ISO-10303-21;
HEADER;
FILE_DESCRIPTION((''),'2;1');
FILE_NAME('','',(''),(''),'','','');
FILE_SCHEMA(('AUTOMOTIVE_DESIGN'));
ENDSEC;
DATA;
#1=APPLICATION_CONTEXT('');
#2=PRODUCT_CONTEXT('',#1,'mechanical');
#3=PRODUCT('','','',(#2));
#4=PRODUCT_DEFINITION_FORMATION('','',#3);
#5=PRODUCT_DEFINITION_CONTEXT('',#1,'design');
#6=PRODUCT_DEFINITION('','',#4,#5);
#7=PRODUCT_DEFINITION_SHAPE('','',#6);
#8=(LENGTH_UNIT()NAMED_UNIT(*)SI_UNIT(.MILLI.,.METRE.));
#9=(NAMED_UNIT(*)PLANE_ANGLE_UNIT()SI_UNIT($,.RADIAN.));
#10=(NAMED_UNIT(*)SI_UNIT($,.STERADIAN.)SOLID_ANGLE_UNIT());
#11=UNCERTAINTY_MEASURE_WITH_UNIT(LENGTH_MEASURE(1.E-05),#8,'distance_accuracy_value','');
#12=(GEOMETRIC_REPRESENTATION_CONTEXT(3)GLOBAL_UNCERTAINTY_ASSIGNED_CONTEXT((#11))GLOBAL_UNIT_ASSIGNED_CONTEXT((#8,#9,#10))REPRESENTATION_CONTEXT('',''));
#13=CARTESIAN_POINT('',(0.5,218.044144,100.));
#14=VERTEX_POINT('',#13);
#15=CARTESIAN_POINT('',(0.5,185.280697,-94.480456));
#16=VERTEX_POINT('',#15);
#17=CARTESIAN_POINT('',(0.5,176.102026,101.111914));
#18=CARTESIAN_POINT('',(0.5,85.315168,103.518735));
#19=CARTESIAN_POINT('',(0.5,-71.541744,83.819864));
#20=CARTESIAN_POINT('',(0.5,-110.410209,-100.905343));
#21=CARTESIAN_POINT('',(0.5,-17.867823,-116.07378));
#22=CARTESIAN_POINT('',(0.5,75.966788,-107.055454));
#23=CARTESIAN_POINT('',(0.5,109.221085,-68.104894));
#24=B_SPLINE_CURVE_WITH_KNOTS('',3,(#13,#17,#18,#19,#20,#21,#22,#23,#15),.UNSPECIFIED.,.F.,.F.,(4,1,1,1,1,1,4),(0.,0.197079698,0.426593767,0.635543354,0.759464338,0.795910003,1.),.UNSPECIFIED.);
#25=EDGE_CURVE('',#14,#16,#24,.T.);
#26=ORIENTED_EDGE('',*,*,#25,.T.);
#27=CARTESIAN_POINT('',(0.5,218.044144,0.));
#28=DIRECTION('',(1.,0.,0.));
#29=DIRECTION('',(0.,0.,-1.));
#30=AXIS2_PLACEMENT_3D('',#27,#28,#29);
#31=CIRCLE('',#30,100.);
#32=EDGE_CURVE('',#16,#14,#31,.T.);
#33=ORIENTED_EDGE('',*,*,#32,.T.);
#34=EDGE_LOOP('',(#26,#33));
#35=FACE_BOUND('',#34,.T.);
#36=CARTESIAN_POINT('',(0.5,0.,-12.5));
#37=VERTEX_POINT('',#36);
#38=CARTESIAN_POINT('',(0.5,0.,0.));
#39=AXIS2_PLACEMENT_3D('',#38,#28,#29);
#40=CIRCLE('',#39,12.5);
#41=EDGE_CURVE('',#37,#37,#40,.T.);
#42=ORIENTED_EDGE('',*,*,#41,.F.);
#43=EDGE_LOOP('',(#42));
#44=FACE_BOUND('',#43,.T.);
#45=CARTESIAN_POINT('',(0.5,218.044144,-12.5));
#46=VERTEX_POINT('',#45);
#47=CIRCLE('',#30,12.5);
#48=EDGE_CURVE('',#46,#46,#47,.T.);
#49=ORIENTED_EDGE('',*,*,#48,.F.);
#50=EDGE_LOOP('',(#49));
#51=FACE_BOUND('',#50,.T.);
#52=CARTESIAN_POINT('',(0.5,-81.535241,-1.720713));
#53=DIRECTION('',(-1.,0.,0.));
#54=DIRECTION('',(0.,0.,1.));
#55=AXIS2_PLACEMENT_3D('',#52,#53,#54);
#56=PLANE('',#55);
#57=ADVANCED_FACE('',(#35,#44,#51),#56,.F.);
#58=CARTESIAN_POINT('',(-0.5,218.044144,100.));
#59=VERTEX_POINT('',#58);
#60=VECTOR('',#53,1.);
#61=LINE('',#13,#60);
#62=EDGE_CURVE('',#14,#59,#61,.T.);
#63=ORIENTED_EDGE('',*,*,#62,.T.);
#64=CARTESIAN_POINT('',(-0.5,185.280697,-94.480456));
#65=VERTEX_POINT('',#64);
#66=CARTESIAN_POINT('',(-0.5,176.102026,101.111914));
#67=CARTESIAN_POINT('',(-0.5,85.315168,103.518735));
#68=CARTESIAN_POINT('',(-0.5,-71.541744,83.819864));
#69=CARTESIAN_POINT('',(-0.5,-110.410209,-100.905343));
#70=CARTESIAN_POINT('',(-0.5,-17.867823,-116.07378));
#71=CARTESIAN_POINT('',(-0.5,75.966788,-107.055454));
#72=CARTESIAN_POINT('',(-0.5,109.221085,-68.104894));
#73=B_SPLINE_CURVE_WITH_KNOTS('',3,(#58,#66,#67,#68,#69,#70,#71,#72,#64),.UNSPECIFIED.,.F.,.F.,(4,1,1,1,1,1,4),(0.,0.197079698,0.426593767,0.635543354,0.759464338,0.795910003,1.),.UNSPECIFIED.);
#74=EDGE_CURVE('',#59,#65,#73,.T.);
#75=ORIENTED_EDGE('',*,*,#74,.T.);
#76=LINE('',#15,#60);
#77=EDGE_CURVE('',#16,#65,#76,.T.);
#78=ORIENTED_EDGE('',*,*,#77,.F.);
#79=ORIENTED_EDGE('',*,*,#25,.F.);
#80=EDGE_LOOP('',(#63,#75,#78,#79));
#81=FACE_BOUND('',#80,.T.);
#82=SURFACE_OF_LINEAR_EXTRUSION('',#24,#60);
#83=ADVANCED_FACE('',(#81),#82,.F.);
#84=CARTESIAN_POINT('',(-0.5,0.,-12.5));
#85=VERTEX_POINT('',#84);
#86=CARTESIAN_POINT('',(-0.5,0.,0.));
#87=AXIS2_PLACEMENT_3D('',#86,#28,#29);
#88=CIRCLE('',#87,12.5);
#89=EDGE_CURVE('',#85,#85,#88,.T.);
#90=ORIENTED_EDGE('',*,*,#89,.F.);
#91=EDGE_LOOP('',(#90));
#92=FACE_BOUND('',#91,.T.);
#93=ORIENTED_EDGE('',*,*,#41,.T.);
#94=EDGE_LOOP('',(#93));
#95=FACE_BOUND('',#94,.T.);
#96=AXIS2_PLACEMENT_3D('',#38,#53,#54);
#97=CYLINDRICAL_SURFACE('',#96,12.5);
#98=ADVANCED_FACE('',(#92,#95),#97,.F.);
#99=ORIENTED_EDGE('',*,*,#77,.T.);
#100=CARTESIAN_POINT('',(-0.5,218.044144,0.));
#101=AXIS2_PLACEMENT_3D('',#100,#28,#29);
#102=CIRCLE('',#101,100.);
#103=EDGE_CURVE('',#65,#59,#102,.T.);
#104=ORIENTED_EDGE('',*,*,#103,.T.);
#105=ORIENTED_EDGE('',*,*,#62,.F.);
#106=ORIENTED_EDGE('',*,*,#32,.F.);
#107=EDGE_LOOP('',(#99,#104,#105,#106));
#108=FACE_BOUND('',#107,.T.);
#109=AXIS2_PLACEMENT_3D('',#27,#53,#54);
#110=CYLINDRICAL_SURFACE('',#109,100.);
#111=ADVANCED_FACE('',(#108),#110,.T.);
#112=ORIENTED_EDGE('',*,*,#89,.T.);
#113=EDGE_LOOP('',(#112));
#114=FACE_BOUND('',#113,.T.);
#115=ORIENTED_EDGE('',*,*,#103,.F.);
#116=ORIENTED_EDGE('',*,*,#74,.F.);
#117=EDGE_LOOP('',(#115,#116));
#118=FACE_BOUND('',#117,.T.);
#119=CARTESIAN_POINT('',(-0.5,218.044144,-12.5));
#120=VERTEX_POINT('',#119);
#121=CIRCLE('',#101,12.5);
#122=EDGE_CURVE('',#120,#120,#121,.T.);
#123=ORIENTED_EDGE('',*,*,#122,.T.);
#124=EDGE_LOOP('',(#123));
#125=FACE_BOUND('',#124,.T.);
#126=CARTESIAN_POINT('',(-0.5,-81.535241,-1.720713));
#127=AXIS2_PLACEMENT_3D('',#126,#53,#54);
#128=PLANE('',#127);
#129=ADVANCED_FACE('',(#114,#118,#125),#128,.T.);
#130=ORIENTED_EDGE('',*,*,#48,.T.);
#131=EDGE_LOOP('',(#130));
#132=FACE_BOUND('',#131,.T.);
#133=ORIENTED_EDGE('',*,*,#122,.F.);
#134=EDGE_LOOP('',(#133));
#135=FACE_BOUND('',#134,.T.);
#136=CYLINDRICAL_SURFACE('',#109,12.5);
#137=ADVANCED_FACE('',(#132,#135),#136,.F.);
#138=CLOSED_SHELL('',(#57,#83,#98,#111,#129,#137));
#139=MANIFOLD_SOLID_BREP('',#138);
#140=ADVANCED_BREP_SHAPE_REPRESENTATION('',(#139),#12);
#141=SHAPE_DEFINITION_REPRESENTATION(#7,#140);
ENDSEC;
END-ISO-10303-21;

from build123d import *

# Parameters (mm, degrees)
SKETCH7_R      = 12.5
EXTRUDE1_DEPTH = 0.5


with BuildPart() as part:
    # Sketch7 → Extrude1 (new, symmetric)
    with BuildSketch(Plane(origin=(0, 0, 0), x_dir=(0, 0, -1), z_dir=(1, 0, 0))):
        with BuildLine():
            ThreePointArc((94.480455873, 185.280697489), (16.612561703, 316.654604329), (-100, 218.04414447))
            add(Edge.make_bspline(
                [(94.480455873, 185.280697489), (68.104894301, 109.221084996), (107.055453985, 75.966787725), (116.073780252, -17.867823054), (100.905342663, -110.410209261), (-83.819863838, -71.541743862), (-103.518734726, 85.315168335), (-101.111913872, 176.1020257), (-100, 218.04414447)],
                knots=[0, 0, 0, 0, 0.204089997, 0.240535662, 0.364456646, 0.573406233, 0.802920302, 1, 1, 1, 1], degree=3))
        make_face()
        with Locations((0, 218.04414447)):
            Circle(SKETCH7_R, mode=Mode.SUBTRACT)
        Circle(SKETCH7_R, mode=Mode.SUBTRACT)
    extrude(amount=EXTRUDE1_DEPTH, both=True)


solid = part.part
